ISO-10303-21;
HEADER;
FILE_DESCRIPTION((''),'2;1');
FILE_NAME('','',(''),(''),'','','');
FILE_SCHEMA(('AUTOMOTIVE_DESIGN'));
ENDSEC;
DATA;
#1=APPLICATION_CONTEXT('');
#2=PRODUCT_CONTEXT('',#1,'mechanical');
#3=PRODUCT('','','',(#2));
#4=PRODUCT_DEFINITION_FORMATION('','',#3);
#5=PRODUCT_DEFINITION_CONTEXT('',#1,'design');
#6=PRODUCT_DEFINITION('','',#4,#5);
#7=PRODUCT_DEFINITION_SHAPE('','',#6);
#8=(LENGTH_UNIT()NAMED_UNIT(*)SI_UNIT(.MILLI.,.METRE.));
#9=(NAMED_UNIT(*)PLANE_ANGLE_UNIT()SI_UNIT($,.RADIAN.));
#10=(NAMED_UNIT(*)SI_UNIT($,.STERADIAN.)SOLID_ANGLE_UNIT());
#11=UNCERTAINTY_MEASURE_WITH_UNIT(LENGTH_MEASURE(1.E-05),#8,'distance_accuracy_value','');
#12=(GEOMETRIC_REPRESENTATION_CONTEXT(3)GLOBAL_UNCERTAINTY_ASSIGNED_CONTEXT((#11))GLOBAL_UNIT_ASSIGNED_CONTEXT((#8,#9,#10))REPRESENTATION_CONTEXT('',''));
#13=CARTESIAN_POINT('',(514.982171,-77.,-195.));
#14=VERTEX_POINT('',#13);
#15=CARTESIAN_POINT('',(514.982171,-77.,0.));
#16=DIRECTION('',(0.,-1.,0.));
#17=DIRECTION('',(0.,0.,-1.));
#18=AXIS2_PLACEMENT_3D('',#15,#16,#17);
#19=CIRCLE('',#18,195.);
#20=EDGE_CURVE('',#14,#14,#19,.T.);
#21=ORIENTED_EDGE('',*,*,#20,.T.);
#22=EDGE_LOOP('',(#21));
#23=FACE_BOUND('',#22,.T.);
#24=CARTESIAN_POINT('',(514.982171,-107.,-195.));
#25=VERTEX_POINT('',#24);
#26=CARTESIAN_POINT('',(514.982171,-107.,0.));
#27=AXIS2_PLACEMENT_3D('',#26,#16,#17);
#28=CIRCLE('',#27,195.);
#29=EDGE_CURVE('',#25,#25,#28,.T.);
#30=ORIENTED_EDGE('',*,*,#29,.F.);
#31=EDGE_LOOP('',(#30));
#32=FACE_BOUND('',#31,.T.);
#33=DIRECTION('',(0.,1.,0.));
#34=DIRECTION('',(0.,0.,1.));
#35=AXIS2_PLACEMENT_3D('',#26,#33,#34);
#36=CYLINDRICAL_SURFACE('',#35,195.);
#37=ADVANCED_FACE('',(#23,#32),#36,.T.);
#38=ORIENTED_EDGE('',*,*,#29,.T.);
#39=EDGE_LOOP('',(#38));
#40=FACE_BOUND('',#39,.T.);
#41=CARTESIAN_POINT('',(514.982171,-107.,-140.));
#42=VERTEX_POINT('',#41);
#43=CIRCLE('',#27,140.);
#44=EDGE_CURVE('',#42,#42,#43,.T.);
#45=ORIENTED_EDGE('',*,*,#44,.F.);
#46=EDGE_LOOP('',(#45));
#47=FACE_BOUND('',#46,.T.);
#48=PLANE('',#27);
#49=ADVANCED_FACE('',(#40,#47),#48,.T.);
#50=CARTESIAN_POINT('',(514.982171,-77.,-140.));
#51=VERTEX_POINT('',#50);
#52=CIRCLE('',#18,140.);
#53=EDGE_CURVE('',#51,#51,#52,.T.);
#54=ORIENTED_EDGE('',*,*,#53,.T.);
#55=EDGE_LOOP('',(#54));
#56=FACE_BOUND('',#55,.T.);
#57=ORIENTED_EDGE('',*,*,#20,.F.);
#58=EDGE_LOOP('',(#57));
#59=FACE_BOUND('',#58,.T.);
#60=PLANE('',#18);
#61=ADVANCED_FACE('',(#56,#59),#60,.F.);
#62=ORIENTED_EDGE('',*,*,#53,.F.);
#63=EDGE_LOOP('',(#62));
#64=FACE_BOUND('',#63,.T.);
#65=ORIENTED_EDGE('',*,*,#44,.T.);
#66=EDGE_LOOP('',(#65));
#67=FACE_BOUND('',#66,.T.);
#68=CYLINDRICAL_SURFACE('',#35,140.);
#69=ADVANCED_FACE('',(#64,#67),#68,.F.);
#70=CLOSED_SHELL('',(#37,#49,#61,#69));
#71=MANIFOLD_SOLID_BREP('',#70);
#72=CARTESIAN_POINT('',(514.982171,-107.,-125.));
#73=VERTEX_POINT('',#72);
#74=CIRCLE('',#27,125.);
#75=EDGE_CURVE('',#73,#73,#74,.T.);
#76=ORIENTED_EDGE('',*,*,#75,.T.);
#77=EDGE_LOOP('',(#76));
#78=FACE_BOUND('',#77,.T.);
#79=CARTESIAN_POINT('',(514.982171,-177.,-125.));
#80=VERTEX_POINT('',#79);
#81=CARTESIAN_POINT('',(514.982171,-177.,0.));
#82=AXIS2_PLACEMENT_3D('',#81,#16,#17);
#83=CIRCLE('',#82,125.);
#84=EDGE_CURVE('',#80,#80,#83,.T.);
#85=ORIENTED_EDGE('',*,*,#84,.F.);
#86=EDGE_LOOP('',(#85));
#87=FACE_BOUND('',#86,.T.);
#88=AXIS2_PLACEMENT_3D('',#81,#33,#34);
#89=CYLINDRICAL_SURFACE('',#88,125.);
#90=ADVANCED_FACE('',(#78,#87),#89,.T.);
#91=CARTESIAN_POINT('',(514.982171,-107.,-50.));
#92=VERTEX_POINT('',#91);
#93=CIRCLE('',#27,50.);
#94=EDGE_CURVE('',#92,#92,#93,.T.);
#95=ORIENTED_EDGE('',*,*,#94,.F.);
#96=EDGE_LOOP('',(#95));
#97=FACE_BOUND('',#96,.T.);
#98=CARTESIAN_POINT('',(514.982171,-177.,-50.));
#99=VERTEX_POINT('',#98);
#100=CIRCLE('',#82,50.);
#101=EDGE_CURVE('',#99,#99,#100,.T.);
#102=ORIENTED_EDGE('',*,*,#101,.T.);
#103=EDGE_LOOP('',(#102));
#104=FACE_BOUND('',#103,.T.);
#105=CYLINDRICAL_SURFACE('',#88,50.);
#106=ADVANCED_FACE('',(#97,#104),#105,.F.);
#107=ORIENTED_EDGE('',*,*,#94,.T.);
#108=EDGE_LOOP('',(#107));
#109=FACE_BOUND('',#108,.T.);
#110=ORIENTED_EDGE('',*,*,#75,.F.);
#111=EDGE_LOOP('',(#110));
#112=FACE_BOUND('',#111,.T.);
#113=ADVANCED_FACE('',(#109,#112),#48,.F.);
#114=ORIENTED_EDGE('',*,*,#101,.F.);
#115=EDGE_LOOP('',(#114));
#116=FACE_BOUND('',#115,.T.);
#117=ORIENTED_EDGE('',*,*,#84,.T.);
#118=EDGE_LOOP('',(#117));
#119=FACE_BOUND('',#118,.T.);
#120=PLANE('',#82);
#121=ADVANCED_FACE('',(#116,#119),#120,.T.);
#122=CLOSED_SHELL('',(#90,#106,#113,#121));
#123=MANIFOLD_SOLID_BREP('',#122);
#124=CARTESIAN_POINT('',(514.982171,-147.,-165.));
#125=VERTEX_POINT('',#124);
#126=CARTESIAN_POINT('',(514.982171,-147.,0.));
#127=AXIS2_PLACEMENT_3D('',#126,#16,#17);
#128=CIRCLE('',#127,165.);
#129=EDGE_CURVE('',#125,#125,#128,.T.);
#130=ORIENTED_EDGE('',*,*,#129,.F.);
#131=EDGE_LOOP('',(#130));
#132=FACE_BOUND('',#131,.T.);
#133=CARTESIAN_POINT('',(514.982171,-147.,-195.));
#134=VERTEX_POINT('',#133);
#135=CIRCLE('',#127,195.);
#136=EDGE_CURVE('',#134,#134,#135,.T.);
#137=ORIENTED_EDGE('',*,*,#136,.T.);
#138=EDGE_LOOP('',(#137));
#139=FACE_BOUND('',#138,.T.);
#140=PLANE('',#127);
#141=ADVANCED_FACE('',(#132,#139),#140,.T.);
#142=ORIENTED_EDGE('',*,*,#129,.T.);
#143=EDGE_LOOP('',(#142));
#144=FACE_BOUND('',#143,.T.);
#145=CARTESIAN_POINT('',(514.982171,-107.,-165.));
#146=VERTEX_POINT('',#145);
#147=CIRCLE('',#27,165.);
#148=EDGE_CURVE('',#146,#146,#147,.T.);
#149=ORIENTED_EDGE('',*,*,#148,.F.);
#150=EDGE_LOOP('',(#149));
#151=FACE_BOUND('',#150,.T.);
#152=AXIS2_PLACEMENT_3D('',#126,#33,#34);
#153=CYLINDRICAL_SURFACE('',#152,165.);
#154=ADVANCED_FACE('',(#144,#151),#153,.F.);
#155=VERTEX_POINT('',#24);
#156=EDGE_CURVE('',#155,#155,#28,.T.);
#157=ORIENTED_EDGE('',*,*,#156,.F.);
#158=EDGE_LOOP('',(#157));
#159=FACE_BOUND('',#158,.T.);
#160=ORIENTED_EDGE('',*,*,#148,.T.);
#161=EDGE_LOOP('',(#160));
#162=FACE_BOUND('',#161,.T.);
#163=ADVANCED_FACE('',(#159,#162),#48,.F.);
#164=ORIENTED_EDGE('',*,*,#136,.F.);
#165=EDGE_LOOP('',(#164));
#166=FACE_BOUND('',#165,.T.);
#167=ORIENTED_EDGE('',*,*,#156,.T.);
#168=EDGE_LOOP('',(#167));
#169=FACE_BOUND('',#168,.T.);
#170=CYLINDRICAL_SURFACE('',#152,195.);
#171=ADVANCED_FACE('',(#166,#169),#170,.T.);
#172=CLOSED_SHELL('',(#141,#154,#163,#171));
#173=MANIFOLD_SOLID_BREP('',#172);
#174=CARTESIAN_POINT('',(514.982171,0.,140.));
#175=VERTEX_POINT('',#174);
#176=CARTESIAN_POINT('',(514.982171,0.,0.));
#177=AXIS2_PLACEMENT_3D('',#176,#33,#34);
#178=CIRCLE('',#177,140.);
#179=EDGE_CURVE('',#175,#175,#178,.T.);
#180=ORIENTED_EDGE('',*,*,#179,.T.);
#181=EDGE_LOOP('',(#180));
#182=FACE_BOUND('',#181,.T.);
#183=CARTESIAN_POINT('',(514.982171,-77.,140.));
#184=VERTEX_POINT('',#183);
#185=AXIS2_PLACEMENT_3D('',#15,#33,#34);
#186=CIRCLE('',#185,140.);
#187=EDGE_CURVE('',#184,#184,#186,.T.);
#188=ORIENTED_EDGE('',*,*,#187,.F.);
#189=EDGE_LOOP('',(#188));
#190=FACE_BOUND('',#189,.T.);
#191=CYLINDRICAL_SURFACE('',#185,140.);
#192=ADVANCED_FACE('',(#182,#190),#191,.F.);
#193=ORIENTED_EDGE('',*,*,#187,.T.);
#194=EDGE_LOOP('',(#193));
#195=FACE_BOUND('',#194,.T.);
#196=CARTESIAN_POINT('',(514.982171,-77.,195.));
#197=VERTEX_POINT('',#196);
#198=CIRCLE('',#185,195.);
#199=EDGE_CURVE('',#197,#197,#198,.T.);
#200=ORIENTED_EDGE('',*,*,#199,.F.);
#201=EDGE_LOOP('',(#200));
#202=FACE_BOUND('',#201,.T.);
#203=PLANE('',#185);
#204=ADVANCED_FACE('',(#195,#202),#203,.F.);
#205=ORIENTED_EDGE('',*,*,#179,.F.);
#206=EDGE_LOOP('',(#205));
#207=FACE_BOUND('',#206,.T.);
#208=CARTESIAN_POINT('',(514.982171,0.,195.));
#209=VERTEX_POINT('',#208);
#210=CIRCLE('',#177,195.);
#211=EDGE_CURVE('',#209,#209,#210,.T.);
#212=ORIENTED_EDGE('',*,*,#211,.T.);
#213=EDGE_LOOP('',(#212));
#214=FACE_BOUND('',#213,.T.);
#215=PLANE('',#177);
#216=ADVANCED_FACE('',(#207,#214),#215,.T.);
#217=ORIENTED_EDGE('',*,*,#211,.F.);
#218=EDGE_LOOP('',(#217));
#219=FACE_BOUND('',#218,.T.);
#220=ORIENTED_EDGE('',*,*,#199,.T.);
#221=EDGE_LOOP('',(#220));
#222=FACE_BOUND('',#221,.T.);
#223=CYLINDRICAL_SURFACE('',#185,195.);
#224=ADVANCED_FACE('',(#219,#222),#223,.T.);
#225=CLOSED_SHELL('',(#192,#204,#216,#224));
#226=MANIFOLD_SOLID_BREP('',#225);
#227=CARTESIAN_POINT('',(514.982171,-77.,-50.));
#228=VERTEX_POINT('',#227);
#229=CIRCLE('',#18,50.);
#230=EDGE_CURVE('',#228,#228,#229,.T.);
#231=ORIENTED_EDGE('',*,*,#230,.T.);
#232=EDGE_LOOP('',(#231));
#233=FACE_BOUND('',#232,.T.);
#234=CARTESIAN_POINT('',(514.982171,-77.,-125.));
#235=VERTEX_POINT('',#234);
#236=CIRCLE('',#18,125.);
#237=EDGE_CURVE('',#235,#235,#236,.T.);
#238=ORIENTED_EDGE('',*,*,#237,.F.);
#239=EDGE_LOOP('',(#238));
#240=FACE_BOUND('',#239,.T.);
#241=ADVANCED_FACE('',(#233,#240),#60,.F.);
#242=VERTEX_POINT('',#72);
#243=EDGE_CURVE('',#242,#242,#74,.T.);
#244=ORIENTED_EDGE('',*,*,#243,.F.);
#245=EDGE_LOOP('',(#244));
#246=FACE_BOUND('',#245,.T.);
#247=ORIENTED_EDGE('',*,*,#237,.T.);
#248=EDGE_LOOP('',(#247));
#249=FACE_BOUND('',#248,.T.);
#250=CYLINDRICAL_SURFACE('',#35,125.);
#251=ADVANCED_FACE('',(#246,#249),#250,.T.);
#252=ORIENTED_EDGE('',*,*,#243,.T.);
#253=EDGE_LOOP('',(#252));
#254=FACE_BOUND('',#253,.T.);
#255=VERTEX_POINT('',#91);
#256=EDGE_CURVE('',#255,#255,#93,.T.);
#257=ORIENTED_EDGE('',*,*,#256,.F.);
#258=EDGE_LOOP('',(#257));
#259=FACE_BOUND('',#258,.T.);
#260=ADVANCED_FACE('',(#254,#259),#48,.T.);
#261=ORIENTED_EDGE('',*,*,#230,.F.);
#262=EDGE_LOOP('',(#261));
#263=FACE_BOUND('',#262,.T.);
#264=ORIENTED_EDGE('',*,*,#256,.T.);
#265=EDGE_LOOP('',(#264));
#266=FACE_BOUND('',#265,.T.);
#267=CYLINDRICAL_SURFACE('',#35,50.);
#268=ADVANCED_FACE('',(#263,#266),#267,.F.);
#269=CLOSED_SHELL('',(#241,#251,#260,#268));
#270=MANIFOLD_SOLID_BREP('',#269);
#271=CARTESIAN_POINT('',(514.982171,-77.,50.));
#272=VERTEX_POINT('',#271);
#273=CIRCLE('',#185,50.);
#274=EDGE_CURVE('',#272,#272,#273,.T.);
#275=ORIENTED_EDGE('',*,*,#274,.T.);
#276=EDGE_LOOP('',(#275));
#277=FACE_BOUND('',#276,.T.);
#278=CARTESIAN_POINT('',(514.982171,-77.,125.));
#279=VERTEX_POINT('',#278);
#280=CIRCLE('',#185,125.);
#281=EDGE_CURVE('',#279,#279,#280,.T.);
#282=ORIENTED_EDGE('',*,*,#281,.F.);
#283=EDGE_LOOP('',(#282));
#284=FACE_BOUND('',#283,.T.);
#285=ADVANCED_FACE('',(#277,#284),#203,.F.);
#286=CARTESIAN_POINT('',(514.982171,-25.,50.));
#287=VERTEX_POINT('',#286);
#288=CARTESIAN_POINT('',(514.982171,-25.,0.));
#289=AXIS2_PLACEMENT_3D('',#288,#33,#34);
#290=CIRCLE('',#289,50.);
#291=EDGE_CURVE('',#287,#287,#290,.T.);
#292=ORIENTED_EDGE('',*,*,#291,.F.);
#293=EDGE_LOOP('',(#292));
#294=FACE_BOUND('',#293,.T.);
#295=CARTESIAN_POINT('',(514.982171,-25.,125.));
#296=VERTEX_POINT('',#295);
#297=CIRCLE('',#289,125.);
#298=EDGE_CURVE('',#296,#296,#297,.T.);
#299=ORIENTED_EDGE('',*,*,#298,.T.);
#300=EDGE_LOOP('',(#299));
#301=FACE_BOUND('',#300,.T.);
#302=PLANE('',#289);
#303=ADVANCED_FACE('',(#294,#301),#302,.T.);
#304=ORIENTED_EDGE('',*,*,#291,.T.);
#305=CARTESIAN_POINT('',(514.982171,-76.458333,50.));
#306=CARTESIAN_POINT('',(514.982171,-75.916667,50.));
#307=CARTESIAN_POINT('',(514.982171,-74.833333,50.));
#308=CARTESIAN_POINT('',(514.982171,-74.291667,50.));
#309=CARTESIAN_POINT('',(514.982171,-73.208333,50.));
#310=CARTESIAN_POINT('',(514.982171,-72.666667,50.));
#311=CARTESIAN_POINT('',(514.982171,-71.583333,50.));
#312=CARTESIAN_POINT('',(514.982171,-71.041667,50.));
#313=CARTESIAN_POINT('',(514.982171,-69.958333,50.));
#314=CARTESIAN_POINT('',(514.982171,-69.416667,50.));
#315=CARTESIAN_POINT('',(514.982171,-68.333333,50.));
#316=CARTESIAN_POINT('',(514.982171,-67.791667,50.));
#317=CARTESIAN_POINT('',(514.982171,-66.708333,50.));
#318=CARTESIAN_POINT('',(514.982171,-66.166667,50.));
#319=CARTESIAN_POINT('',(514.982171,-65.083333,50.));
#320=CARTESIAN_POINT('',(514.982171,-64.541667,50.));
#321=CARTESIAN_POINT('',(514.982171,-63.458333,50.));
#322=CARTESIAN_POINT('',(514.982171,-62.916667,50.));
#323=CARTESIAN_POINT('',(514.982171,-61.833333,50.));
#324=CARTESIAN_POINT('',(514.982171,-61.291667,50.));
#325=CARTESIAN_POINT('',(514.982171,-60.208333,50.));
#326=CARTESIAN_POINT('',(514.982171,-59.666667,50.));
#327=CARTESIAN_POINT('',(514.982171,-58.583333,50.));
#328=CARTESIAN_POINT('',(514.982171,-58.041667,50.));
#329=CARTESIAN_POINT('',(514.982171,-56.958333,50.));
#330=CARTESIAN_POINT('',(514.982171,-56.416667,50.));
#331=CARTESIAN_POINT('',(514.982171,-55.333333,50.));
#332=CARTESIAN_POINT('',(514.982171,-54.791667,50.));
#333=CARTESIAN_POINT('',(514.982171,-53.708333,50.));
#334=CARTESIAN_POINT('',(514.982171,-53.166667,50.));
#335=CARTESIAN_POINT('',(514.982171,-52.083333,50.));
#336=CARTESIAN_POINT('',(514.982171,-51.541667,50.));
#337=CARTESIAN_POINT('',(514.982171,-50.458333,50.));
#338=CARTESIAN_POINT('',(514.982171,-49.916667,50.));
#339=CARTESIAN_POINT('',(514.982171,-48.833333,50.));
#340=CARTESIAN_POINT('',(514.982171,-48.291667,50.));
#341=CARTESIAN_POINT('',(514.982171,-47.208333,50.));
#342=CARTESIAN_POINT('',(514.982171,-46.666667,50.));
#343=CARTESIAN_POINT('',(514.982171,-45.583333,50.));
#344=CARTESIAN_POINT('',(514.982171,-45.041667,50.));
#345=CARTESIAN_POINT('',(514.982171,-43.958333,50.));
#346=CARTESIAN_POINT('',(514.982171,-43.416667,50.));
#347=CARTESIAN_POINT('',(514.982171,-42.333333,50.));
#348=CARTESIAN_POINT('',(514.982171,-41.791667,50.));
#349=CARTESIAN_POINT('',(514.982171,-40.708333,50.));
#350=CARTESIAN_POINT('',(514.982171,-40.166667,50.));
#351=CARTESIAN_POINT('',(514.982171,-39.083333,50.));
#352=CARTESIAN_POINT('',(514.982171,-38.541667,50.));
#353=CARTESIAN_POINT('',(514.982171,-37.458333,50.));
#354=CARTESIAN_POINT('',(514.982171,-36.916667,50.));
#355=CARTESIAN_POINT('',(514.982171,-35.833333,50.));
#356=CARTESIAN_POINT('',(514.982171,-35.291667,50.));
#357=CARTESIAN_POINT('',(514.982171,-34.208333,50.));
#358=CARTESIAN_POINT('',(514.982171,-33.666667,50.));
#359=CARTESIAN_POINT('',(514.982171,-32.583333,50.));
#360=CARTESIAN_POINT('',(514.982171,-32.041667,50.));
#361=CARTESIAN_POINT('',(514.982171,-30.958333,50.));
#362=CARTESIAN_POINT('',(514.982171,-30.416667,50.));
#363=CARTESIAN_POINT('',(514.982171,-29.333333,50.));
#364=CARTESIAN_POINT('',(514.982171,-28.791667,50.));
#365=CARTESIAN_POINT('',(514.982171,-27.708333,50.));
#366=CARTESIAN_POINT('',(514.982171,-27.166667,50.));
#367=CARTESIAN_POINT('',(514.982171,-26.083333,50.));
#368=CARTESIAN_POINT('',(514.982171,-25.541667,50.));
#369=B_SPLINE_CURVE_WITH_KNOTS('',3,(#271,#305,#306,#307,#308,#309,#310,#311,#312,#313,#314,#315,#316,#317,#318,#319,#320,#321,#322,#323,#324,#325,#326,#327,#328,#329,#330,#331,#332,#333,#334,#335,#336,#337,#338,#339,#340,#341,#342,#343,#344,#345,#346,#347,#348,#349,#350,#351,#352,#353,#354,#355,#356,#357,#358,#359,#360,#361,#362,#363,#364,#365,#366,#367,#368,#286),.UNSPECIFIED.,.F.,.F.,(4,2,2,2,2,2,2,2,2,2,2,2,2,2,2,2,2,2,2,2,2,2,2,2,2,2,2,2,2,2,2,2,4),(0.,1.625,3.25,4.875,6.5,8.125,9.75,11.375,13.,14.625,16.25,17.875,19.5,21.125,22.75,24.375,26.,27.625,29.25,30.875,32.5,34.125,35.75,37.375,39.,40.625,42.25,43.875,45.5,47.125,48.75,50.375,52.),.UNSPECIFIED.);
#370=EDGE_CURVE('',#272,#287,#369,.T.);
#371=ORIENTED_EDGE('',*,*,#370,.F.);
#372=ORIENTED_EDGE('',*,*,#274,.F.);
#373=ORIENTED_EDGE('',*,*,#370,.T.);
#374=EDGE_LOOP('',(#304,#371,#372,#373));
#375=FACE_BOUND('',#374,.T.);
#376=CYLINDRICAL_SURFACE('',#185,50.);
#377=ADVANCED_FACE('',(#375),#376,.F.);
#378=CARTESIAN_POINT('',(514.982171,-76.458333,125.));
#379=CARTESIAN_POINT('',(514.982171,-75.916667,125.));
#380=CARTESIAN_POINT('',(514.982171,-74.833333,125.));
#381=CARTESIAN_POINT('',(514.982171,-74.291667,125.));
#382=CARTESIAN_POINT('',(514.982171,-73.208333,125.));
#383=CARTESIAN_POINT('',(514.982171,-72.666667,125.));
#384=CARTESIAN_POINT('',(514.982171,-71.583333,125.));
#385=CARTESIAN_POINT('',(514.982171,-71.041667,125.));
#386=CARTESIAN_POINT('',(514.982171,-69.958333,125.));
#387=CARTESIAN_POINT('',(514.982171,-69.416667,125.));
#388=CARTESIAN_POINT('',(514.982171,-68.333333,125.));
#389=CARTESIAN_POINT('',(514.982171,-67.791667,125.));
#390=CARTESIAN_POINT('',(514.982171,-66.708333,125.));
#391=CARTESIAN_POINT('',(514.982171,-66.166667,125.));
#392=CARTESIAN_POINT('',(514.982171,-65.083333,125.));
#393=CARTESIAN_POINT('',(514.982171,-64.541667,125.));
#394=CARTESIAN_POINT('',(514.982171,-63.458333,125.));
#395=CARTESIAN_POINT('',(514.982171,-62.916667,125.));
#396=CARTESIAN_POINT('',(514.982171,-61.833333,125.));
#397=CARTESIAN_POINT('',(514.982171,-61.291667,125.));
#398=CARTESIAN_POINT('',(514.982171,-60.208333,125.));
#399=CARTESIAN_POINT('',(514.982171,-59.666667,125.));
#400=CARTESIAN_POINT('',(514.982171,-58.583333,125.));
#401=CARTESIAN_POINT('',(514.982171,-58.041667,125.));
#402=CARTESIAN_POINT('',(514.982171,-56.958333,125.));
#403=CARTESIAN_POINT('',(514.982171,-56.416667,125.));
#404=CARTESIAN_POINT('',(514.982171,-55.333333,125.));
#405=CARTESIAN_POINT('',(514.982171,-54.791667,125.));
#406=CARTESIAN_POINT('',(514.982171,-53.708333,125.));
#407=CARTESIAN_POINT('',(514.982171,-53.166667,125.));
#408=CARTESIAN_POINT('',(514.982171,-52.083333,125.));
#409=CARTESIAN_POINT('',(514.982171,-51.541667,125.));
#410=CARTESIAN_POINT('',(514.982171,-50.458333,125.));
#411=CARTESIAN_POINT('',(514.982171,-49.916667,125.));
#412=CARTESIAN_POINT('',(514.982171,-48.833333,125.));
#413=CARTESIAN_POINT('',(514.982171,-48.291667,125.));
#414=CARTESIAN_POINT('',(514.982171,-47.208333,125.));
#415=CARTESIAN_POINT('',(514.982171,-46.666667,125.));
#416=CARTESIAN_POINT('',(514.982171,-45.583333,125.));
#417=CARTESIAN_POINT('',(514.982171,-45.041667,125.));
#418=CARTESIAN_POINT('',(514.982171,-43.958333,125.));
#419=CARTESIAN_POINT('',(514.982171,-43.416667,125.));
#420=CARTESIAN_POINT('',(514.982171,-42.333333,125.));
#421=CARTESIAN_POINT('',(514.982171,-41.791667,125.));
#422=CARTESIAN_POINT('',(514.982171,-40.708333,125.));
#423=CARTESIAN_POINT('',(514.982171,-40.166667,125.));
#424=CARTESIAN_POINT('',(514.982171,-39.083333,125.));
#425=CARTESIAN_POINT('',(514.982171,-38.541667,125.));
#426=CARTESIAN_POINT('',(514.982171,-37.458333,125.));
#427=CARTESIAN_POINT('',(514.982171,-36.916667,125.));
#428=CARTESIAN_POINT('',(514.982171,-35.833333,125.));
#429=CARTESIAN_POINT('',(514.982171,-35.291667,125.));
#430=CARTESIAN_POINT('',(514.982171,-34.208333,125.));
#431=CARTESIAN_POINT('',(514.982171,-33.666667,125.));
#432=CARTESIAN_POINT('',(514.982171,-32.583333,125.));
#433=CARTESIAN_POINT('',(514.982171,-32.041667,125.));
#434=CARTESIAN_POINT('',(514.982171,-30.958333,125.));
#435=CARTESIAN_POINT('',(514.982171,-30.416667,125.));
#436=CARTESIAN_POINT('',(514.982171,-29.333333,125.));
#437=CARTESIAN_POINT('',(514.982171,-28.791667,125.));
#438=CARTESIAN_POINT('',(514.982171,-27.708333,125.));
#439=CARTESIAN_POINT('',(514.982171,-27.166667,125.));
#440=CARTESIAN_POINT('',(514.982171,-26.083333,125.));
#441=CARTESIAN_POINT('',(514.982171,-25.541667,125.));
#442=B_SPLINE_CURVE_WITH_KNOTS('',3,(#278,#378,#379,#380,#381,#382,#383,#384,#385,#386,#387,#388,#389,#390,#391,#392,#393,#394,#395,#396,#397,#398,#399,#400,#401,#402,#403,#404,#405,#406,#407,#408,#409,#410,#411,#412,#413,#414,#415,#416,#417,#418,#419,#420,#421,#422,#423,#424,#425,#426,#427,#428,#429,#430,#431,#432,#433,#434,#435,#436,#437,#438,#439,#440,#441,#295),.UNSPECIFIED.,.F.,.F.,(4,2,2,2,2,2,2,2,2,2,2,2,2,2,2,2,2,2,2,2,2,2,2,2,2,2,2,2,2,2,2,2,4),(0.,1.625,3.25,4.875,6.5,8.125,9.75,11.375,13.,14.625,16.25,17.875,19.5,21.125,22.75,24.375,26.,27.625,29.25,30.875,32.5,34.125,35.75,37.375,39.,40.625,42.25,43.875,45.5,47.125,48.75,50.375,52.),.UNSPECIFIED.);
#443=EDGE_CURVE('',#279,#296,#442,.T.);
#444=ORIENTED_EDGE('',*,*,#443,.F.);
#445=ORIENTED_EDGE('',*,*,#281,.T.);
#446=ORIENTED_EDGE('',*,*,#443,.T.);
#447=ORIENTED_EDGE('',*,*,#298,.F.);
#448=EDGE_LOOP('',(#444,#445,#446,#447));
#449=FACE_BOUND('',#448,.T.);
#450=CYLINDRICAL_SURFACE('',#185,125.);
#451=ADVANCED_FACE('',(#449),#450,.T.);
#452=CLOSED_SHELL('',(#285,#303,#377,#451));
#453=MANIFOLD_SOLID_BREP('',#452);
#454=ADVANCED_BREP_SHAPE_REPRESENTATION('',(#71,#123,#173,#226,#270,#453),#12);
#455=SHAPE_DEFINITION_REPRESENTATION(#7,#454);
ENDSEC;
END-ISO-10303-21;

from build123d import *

# Parameters (mm, degrees)
SKETCH_8_R       = 195
SKETCH_8_R_2     = 140
EXTRUDE_1_DEPTH  = 77
SKETCH_10_R      = 195
SKETCH_10_R_2    = 140
EXTRUDE_2_DEPTH  = 30
SKETCH_11_R      = 195
SKETCH_11_R_2    = 165
EXTRUDE_3_DEPTH  = 40
SKETCH_12_R      = 125
SKETCH_12_R_2    = 50
EXTRUDE_4_DEPTH  = 52
SKETCH_17_R      = 125
SKETCH_17_R_2    = 50
EXTRUDE_9_DEPTH  = 30
SKETCH_18_R      = 125
SKETCH_18_R_2    = 50
EXTRUDE_10_DEPTH = 70


with BuildPart() as part:
    # 草图8 → 凸台-拉伸1 (new body)
    with BuildSketch(Plane(origin=(0, 0, 0), x_dir=(1, 0, 0), z_dir=(0, 1, 0))):
        with Locations(Location((514.982170762, 0, 0), (0, 0, 270))):
            Circle(SKETCH_8_R)
        with Locations(Location((514.982170762, 0, 0), (0, 0, 270))):
            Circle(SKETCH_8_R_2, mode=Mode.SUBTRACT)
    extrude(amount=-EXTRUDE_1_DEPTH)


with BuildPart() as body_2:
    # 草图10 → 凸台-拉伸2 (new body)
    with BuildSketch(Plane(origin=(0, -77, 0), x_dir=(-1, 0, 0), z_dir=(0, -1, 0))):
        with Locations(Location((-514.982170762, 0, 0), (0, 0, 90))):
            Circle(SKETCH_10_R)
        with Locations(Location((-514.982170762, 0, 0), (0, 0, 90))):
            Circle(SKETCH_10_R_2, mode=Mode.SUBTRACT)
    extrude(amount=EXTRUDE_2_DEPTH)


with BuildPart() as body_3:
    # 草图11 → 凸台-拉伸3 (new body)
    with BuildSketch(Plane(origin=(0, -107, 0), x_dir=(-1, 0, 0), z_dir=(0, -1, 0))):
        with Locations(Location((-514.982170762, 0, 0), (0, 0, 90))):
            Circle(SKETCH_11_R)
        with Locations(Location((-514.982170762, 0, 0), (0, 0, 90))):
            Circle(SKETCH_11_R_2, mode=Mode.SUBTRACT)
    extrude(amount=EXTRUDE_3_DEPTH)


with BuildPart() as body_4:
    # 草图12 → 凸台-拉伸4 (new body)
    with BuildSketch(Plane(origin=(0, -25, 0), x_dir=(1, 0, 0), z_dir=(0, 1, 0))):
        with Locations(Location((514.982170762, 0, 0), (0, 0, 270))):
            Circle(SKETCH_12_R)
        with Locations(Location((514.982170762, 0, 0), (0, 0, 270))):
            Circle(SKETCH_12_R_2, mode=Mode.SUBTRACT)
    extrude(amount=-EXTRUDE_4_DEPTH)


with BuildPart() as body_5:
    # 草图17 → 凸台-拉伸9 (new body)
    with BuildSketch(Plane(origin=(0, -77, 0), x_dir=(-1, 0, 0), z_dir=(0, -1, 0))):
        with Locations(Location((-514.982170762, 0, 0), (0, 0, 90))):
            Circle(SKETCH_17_R)
        with Locations(Location((-514.982170762, 0, 0), (0, 0, 90))):
            Circle(SKETCH_17_R_2, mode=Mode.SUBTRACT)
    extrude(amount=EXTRUDE_9_DEPTH)


with BuildPart() as body_6:
    # 草图18 → 凸台-拉伸10 (new body)
    with BuildSketch(Plane(origin=(0, -107, 0), x_dir=(-1, 0, 0), z_dir=(0, -1, 0))):
        with Locations(Location((-514.982170762, 0, 0), (0, 0, 90))):
            Circle(SKETCH_18_R)
        with Locations(Location((-514.982170762, 0, 0), (0, 0, 90))):
            Circle(SKETCH_18_R_2, mode=Mode.SUBTRACT)
    extrude(amount=EXTRUDE_10_DEPTH)


solid = Compound([part.part, body_2.part, body_3.part, body_4.part, body_5.part, body_6.part])
